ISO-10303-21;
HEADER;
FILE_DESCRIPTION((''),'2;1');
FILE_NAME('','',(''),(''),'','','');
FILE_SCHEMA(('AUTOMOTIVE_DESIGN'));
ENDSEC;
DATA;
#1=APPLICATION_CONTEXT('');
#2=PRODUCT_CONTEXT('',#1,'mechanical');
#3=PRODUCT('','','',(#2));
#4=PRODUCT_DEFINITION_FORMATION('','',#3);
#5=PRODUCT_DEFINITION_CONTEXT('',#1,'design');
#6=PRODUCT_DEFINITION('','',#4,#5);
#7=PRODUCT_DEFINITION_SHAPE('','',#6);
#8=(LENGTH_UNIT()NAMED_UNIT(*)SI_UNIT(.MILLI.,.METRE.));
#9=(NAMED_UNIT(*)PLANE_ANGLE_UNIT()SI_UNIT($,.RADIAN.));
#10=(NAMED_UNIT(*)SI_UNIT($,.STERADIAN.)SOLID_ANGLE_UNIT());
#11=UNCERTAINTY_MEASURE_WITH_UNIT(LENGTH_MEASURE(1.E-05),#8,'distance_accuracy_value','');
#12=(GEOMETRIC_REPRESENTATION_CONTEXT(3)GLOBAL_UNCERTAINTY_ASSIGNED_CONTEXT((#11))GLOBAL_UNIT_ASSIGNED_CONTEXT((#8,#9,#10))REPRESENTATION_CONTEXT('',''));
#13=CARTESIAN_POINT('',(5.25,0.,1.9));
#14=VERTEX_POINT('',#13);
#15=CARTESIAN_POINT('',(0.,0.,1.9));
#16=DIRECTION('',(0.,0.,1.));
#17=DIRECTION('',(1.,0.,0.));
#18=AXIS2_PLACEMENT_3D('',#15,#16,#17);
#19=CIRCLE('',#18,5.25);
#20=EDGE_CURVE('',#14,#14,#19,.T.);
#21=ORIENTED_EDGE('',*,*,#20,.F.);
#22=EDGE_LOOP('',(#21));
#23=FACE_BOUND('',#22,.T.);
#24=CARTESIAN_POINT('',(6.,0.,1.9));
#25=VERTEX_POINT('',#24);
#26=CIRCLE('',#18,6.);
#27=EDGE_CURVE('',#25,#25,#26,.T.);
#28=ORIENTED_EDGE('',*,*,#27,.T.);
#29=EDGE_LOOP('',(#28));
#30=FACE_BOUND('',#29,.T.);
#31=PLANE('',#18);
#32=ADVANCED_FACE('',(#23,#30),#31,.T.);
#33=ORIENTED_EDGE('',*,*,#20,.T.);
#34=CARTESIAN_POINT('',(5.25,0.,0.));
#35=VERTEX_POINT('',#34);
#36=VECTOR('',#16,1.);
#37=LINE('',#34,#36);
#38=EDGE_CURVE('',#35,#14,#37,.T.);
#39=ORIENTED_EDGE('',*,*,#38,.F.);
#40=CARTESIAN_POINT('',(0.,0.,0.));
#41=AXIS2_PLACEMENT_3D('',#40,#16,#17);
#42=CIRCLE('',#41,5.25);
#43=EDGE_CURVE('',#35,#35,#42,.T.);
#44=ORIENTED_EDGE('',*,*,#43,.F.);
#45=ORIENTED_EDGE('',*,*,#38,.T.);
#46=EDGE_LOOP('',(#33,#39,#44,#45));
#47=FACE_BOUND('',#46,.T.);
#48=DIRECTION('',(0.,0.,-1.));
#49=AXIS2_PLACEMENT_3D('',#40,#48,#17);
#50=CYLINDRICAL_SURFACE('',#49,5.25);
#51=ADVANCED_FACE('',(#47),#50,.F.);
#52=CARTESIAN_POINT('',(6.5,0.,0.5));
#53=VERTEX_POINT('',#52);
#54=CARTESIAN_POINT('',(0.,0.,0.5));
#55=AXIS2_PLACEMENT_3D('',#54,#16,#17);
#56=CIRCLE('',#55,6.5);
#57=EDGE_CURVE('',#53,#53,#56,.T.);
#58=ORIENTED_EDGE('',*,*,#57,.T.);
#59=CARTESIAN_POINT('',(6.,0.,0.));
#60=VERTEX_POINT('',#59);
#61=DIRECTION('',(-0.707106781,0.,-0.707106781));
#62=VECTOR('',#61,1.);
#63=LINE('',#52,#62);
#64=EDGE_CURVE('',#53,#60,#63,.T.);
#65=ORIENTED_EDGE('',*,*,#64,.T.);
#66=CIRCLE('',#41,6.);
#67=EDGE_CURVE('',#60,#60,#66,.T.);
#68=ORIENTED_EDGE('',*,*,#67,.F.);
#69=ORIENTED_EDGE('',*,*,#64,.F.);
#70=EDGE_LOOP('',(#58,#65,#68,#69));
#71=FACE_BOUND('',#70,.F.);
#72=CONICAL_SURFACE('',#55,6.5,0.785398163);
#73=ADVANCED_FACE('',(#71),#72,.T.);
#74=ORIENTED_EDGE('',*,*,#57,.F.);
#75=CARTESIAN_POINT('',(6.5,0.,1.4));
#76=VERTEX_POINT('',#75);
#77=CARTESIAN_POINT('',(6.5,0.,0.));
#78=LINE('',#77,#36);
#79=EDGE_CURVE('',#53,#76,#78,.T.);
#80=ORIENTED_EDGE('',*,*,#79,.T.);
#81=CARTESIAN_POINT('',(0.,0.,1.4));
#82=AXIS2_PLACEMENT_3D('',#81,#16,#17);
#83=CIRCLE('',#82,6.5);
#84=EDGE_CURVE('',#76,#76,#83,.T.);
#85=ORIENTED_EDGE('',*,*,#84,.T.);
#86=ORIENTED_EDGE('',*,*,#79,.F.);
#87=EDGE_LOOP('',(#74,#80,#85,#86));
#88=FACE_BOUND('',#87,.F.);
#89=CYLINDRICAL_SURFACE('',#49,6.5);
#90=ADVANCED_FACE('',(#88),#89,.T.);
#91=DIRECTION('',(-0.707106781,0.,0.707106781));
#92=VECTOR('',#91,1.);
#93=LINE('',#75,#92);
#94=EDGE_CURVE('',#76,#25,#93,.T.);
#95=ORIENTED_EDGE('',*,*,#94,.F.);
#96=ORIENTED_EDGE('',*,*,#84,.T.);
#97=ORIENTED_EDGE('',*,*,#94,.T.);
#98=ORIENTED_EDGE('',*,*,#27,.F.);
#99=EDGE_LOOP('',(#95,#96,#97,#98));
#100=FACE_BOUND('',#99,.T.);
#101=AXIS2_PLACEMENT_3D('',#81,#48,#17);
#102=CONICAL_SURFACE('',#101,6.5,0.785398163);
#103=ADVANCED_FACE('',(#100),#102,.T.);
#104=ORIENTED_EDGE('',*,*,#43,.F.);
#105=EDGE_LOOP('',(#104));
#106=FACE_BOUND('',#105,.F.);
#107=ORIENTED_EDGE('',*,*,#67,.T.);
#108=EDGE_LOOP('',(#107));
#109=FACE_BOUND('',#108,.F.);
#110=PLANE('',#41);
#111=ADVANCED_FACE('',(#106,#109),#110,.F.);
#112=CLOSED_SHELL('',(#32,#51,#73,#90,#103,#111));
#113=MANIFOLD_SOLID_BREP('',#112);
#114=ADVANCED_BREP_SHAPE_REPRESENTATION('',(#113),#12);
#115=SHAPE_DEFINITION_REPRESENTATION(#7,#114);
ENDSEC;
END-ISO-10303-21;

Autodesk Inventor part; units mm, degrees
ref_plane "YZ Plane" through (0, 0, 0) normal (1, 0, 0) x (0, 1, 0)
ref_plane "XZ Plane" through (0, 0, 0) normal (0, 1, 0) x (-1, 0, 0)
ref_plane "XY Plane" through (0, 0, 0) normal (0, 0, 1) x (1, 0, 0)
sketch "スケッチ1" plane through (0, 0, 0) normal (0, 0, 1) x (1, 0, 0)
  circle A0 centre (0, 0) radius 5.25
  circle A1 centre (0, 0) radius 6.5
  dimension "d0" = 10.5
  dimension "d1" = 13
extrude "押し出し1" add sketch "スケッチ1" along normal blind 1.9
chamfer "面取り1" distance 0.5 angle 45 2 edges at (-6.5, 0, 1.9) (-6.5, 0, 0)
properties part number "出力ピンベアリングスペーサ"
